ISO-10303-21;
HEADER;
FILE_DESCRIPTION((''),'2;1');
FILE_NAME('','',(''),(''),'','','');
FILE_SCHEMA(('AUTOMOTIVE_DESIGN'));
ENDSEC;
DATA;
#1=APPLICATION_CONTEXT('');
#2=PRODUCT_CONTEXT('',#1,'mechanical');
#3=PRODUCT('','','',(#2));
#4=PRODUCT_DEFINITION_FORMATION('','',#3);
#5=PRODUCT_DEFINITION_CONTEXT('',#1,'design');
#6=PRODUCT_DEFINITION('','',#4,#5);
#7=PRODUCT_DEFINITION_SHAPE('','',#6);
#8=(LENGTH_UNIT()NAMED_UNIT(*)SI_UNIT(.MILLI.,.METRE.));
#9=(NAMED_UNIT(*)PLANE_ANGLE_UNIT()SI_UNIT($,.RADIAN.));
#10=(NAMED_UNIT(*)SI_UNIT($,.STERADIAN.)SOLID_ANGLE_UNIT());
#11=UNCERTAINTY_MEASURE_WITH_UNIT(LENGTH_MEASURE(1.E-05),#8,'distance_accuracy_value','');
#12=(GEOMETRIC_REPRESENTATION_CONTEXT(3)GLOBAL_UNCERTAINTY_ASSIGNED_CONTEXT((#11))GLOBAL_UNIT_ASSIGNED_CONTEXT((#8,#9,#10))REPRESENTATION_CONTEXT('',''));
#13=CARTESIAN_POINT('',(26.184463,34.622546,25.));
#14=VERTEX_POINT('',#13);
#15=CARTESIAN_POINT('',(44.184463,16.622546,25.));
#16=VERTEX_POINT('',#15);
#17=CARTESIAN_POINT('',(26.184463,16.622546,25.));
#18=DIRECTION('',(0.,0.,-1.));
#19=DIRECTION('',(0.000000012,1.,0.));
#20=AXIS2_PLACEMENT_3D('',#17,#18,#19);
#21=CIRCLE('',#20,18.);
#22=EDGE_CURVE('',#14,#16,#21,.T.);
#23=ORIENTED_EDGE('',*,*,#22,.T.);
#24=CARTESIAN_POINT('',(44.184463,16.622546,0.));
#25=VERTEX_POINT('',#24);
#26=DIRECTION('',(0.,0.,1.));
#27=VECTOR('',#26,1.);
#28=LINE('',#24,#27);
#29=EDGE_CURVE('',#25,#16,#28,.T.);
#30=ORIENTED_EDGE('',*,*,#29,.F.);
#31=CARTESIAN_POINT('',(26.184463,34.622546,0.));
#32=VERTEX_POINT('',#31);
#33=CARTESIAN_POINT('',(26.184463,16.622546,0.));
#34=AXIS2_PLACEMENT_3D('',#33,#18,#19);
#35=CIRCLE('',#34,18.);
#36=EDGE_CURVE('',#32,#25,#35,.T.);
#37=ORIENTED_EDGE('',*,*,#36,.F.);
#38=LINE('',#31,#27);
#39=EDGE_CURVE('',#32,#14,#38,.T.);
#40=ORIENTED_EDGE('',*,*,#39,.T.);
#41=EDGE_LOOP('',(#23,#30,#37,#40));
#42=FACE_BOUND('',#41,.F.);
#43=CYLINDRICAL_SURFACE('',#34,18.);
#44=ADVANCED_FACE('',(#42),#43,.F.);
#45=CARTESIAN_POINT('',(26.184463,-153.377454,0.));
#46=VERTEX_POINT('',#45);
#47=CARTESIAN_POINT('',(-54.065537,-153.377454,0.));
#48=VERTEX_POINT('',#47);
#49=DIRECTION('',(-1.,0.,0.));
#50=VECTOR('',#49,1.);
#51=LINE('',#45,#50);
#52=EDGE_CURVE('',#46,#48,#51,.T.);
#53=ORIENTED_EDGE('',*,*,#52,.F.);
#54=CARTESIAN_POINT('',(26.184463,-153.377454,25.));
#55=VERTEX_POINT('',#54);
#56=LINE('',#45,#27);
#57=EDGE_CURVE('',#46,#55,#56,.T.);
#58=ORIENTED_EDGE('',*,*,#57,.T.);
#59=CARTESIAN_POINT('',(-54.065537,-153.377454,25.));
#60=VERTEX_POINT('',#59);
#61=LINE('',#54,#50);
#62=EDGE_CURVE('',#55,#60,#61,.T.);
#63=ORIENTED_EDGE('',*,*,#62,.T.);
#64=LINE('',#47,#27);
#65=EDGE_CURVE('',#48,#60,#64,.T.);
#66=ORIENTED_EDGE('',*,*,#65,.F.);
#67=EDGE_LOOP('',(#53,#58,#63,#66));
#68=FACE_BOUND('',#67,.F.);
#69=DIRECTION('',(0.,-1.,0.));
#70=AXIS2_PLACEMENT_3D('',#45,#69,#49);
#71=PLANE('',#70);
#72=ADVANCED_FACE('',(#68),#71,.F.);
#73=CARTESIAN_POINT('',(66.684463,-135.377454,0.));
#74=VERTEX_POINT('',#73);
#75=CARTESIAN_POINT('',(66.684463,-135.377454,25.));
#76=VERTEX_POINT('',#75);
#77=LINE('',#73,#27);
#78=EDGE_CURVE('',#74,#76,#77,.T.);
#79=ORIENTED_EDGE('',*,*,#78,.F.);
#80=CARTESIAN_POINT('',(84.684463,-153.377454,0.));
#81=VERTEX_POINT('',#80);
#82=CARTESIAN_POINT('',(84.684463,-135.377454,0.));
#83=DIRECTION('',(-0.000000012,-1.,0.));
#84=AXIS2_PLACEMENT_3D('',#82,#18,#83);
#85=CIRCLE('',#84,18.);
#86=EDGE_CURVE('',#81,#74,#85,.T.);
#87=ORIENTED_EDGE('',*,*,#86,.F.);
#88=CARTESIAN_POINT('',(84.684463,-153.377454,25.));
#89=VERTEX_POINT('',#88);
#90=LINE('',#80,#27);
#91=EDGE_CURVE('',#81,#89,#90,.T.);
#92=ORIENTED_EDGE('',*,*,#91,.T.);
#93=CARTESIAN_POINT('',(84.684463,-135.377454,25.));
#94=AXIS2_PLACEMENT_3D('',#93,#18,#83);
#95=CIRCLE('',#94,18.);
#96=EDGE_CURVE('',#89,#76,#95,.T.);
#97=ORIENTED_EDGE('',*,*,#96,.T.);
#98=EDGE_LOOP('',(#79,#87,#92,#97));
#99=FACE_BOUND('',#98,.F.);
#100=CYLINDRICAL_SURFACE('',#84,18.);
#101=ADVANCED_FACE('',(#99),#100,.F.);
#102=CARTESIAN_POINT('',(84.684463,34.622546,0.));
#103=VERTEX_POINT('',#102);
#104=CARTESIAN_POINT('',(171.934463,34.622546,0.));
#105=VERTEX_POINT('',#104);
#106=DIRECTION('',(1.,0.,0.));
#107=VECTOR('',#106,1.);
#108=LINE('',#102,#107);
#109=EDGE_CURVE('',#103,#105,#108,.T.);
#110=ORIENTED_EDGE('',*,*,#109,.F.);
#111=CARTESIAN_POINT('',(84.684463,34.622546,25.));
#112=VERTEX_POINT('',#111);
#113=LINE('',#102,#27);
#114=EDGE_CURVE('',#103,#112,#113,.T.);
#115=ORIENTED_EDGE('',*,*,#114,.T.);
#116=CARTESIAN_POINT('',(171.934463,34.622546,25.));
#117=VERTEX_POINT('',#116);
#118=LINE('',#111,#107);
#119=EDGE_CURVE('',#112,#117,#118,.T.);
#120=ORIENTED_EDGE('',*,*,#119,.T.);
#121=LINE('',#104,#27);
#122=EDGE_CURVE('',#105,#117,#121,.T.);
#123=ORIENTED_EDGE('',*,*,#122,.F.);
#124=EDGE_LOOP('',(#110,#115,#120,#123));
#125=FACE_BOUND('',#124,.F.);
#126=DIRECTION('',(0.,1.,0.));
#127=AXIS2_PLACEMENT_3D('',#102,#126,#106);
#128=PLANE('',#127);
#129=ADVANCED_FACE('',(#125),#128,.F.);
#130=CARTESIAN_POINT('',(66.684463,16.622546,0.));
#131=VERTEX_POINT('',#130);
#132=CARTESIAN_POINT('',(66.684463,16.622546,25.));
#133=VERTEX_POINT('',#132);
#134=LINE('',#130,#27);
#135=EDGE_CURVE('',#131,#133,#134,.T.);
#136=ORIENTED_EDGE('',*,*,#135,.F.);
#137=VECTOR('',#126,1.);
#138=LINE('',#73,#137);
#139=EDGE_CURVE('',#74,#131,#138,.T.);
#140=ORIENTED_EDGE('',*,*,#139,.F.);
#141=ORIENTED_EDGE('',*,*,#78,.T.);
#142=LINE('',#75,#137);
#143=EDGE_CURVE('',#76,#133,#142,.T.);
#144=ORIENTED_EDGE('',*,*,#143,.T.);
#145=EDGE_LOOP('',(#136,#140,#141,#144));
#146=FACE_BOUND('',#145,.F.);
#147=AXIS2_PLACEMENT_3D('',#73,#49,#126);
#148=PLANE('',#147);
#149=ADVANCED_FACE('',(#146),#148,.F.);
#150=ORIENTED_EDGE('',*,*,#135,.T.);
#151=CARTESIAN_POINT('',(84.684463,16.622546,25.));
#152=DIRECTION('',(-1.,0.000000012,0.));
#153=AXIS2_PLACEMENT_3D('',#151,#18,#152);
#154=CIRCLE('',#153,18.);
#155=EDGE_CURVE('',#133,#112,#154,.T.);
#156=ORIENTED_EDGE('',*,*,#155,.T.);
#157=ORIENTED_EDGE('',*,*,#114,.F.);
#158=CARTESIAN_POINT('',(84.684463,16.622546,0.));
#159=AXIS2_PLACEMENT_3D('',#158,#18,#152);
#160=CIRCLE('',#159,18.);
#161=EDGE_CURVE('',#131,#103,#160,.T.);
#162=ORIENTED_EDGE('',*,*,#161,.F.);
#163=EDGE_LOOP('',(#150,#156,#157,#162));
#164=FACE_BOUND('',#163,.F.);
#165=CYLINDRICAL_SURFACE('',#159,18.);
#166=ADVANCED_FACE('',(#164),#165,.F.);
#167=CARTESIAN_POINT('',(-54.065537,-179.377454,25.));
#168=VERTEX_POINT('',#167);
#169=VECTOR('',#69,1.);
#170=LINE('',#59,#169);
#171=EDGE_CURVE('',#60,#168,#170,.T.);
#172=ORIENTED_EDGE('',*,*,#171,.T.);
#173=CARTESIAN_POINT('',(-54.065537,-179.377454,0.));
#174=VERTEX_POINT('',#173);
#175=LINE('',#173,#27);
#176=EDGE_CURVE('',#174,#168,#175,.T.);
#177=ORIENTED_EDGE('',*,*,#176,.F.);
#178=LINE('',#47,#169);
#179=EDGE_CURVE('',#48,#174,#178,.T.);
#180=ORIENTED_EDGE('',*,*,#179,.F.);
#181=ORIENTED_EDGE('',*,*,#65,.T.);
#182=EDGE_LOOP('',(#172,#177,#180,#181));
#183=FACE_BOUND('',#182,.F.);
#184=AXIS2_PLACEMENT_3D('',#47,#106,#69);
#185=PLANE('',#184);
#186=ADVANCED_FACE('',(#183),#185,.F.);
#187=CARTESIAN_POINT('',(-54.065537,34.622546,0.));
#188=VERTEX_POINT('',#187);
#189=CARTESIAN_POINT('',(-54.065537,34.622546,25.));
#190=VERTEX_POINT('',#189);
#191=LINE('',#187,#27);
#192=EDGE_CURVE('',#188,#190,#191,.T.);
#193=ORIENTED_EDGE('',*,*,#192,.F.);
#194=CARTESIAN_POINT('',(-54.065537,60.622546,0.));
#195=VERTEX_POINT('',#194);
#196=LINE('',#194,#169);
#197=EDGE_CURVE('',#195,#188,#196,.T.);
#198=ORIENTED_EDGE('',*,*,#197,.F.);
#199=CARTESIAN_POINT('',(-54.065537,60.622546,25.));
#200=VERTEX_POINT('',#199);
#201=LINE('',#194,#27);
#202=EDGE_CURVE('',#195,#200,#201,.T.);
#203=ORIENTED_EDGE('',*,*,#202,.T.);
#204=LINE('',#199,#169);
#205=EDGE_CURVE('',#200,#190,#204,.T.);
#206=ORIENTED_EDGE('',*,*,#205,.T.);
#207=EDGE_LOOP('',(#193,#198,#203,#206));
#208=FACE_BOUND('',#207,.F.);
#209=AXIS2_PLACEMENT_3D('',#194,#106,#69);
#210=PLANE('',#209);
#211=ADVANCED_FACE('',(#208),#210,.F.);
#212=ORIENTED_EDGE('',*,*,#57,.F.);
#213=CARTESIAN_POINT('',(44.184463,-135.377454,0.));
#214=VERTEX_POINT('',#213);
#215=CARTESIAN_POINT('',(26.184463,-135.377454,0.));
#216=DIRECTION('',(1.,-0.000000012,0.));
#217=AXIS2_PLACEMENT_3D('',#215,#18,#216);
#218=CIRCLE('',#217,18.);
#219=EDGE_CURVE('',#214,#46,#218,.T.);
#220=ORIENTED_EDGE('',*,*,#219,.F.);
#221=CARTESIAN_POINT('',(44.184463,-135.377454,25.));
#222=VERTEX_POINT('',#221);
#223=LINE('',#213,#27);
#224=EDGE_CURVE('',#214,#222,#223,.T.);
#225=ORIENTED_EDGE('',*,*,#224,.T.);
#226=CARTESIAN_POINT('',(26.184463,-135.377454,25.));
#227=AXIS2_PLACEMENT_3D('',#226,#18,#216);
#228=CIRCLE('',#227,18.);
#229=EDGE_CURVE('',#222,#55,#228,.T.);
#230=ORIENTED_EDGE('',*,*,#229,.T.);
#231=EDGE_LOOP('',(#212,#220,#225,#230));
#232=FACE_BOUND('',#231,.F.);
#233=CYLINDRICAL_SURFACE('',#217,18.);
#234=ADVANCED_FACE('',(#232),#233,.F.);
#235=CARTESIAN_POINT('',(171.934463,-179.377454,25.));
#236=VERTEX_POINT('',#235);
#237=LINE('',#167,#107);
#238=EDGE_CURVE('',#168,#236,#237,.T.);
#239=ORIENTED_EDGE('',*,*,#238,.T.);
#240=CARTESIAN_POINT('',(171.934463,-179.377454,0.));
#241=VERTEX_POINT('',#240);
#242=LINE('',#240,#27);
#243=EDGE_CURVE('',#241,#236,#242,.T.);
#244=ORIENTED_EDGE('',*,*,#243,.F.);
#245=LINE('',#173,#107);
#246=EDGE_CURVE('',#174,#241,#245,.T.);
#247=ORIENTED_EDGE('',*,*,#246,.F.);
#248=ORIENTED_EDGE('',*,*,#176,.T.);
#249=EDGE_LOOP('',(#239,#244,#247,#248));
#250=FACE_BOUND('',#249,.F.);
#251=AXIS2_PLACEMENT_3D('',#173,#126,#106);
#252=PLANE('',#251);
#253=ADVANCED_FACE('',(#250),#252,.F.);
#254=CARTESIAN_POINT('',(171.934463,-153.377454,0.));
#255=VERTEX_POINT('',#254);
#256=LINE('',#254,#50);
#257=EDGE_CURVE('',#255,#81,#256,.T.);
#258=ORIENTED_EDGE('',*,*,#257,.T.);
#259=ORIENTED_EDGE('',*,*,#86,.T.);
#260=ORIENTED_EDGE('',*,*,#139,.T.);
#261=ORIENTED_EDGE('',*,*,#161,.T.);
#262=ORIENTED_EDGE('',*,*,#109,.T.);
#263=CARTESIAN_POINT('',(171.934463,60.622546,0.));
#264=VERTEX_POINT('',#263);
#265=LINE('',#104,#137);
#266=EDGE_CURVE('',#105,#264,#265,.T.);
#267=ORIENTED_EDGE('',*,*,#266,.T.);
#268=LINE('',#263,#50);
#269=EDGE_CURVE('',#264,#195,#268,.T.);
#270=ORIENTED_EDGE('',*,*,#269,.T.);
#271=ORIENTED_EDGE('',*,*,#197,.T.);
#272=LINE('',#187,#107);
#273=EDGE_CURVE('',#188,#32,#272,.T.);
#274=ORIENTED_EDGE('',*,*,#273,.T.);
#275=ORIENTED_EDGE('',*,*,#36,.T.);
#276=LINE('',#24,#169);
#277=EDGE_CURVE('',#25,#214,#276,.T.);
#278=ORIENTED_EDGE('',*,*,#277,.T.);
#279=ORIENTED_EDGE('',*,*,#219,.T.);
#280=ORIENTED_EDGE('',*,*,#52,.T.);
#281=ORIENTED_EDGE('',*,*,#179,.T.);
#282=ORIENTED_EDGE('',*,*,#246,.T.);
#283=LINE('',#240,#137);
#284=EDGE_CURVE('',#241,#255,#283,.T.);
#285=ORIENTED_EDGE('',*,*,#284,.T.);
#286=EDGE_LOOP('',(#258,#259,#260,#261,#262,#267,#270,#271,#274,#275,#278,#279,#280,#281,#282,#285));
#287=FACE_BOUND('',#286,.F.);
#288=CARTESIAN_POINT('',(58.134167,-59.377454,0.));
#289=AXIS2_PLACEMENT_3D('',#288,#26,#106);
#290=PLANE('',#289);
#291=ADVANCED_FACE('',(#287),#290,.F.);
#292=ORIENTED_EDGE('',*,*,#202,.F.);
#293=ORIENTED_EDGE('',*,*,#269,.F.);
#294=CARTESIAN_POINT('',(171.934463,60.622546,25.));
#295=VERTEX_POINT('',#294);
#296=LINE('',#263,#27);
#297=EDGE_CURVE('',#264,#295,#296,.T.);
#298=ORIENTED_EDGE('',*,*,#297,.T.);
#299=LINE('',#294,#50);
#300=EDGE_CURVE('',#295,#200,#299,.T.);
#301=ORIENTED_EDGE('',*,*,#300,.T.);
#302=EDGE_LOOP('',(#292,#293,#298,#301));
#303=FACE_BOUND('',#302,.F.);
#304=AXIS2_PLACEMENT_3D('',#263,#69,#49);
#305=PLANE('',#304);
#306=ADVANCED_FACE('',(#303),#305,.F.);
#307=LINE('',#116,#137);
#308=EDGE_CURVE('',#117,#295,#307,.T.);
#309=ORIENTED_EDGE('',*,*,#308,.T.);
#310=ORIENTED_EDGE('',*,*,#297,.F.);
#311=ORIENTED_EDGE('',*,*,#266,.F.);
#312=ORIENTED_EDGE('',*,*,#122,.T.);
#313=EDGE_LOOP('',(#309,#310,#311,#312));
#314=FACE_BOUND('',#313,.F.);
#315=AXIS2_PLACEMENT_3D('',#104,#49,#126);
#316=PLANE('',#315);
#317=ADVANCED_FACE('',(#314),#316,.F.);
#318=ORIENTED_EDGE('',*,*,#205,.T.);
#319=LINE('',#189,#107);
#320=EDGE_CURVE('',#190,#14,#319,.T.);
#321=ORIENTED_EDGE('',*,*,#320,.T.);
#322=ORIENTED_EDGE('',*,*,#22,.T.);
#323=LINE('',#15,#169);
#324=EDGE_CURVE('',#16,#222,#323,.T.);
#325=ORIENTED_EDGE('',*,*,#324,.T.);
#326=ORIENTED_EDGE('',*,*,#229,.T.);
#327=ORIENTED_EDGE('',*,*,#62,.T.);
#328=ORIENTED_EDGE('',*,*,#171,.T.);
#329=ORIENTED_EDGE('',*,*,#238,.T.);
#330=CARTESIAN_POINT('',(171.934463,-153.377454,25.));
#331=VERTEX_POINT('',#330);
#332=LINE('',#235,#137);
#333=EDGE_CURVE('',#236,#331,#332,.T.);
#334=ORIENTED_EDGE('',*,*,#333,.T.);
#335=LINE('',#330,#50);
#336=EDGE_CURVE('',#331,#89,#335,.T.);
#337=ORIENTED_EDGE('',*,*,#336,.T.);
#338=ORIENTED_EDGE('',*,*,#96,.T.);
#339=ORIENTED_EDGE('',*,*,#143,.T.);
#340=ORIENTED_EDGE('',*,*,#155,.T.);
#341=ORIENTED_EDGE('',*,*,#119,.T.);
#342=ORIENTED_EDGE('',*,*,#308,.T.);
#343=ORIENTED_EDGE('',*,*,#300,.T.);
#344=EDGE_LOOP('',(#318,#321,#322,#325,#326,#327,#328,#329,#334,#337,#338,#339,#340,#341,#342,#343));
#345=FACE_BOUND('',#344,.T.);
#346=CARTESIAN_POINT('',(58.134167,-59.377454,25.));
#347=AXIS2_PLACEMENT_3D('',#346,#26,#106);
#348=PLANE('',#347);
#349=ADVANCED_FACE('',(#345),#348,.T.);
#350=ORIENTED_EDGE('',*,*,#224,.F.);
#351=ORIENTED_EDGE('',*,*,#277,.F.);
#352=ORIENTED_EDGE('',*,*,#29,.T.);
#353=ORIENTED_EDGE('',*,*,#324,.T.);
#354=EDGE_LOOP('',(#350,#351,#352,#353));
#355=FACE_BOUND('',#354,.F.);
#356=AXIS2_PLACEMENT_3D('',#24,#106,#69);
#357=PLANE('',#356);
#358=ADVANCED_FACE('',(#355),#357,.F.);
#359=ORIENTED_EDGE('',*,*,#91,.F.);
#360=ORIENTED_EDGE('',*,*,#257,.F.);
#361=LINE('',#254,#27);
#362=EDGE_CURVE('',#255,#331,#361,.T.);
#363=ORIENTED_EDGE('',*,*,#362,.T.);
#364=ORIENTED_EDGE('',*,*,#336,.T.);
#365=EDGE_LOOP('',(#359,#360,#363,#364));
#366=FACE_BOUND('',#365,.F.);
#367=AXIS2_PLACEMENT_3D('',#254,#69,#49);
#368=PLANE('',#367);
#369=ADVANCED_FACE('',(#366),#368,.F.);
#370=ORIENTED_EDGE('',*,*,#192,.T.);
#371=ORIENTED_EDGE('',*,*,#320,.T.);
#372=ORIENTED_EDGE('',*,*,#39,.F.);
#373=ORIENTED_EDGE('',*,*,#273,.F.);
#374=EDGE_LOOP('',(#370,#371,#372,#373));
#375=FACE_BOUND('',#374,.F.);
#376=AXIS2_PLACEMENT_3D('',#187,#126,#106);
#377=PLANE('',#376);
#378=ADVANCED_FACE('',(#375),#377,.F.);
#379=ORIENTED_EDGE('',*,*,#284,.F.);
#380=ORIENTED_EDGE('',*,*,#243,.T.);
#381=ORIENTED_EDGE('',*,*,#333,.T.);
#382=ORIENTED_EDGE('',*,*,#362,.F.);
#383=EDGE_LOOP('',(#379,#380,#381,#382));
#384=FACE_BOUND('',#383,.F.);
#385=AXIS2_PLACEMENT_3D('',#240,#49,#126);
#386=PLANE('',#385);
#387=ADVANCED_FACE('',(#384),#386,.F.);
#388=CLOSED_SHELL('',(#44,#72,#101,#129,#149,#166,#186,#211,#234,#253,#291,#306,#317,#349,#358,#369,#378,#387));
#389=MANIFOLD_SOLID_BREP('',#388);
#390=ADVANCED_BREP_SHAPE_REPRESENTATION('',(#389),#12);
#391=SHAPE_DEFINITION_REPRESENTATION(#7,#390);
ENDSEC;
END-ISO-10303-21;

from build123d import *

# Parameters (mm, degrees)
F1_DEPTH = 25


with BuildPart() as f1:
    # F0 (on Top) → F1 (new body)
    with BuildSketch(Plane.XY):
        with BuildLine():
            Line((171.934463, 60.622546), (-54.065537, 60.622546))
            Line((-54.065537, 60.622546), (-54.065537, 34.622546))
            Line((-54.065537, 34.622546), (26.184463, 34.622546))
            ThreePointArc((26.184463, 34.622546), (38.912385, 29.350468), (44.184463, 16.622546))
            Line((44.184463, 16.622546), (44.184463, -135.377454))
            ThreePointArc((44.184463, -135.377454), (38.912385, -148.105376), (26.184463, -153.377454))
            Line((26.184463, -153.377454), (-54.065537, -153.377454))
            Line((-54.065537, -153.377454), (-54.065537, -179.377454))
            Line((-54.065537, -179.377454), (171.934463, -179.377454))
            Line((171.934463, -179.377454), (171.934463, -153.377454))
            Line((171.934463, -153.377454), (84.684463, -153.377454))
            ThreePointArc((84.684463, -153.377454), (71.956541, -148.105376), (66.684463, -135.377454))
            Line((66.684463, -135.377454), (66.684463, 16.622546))
            ThreePointArc((66.684463, 16.622546), (71.956541, 29.350468), (84.684463, 34.622546))
            Line((84.684463, 34.622546), (171.934463, 34.622546))
            Line((171.934463, 34.622546), (171.934463, 60.622546))
        make_face()
    extrude(amount=F1_DEPTH)


solid = f1.part
